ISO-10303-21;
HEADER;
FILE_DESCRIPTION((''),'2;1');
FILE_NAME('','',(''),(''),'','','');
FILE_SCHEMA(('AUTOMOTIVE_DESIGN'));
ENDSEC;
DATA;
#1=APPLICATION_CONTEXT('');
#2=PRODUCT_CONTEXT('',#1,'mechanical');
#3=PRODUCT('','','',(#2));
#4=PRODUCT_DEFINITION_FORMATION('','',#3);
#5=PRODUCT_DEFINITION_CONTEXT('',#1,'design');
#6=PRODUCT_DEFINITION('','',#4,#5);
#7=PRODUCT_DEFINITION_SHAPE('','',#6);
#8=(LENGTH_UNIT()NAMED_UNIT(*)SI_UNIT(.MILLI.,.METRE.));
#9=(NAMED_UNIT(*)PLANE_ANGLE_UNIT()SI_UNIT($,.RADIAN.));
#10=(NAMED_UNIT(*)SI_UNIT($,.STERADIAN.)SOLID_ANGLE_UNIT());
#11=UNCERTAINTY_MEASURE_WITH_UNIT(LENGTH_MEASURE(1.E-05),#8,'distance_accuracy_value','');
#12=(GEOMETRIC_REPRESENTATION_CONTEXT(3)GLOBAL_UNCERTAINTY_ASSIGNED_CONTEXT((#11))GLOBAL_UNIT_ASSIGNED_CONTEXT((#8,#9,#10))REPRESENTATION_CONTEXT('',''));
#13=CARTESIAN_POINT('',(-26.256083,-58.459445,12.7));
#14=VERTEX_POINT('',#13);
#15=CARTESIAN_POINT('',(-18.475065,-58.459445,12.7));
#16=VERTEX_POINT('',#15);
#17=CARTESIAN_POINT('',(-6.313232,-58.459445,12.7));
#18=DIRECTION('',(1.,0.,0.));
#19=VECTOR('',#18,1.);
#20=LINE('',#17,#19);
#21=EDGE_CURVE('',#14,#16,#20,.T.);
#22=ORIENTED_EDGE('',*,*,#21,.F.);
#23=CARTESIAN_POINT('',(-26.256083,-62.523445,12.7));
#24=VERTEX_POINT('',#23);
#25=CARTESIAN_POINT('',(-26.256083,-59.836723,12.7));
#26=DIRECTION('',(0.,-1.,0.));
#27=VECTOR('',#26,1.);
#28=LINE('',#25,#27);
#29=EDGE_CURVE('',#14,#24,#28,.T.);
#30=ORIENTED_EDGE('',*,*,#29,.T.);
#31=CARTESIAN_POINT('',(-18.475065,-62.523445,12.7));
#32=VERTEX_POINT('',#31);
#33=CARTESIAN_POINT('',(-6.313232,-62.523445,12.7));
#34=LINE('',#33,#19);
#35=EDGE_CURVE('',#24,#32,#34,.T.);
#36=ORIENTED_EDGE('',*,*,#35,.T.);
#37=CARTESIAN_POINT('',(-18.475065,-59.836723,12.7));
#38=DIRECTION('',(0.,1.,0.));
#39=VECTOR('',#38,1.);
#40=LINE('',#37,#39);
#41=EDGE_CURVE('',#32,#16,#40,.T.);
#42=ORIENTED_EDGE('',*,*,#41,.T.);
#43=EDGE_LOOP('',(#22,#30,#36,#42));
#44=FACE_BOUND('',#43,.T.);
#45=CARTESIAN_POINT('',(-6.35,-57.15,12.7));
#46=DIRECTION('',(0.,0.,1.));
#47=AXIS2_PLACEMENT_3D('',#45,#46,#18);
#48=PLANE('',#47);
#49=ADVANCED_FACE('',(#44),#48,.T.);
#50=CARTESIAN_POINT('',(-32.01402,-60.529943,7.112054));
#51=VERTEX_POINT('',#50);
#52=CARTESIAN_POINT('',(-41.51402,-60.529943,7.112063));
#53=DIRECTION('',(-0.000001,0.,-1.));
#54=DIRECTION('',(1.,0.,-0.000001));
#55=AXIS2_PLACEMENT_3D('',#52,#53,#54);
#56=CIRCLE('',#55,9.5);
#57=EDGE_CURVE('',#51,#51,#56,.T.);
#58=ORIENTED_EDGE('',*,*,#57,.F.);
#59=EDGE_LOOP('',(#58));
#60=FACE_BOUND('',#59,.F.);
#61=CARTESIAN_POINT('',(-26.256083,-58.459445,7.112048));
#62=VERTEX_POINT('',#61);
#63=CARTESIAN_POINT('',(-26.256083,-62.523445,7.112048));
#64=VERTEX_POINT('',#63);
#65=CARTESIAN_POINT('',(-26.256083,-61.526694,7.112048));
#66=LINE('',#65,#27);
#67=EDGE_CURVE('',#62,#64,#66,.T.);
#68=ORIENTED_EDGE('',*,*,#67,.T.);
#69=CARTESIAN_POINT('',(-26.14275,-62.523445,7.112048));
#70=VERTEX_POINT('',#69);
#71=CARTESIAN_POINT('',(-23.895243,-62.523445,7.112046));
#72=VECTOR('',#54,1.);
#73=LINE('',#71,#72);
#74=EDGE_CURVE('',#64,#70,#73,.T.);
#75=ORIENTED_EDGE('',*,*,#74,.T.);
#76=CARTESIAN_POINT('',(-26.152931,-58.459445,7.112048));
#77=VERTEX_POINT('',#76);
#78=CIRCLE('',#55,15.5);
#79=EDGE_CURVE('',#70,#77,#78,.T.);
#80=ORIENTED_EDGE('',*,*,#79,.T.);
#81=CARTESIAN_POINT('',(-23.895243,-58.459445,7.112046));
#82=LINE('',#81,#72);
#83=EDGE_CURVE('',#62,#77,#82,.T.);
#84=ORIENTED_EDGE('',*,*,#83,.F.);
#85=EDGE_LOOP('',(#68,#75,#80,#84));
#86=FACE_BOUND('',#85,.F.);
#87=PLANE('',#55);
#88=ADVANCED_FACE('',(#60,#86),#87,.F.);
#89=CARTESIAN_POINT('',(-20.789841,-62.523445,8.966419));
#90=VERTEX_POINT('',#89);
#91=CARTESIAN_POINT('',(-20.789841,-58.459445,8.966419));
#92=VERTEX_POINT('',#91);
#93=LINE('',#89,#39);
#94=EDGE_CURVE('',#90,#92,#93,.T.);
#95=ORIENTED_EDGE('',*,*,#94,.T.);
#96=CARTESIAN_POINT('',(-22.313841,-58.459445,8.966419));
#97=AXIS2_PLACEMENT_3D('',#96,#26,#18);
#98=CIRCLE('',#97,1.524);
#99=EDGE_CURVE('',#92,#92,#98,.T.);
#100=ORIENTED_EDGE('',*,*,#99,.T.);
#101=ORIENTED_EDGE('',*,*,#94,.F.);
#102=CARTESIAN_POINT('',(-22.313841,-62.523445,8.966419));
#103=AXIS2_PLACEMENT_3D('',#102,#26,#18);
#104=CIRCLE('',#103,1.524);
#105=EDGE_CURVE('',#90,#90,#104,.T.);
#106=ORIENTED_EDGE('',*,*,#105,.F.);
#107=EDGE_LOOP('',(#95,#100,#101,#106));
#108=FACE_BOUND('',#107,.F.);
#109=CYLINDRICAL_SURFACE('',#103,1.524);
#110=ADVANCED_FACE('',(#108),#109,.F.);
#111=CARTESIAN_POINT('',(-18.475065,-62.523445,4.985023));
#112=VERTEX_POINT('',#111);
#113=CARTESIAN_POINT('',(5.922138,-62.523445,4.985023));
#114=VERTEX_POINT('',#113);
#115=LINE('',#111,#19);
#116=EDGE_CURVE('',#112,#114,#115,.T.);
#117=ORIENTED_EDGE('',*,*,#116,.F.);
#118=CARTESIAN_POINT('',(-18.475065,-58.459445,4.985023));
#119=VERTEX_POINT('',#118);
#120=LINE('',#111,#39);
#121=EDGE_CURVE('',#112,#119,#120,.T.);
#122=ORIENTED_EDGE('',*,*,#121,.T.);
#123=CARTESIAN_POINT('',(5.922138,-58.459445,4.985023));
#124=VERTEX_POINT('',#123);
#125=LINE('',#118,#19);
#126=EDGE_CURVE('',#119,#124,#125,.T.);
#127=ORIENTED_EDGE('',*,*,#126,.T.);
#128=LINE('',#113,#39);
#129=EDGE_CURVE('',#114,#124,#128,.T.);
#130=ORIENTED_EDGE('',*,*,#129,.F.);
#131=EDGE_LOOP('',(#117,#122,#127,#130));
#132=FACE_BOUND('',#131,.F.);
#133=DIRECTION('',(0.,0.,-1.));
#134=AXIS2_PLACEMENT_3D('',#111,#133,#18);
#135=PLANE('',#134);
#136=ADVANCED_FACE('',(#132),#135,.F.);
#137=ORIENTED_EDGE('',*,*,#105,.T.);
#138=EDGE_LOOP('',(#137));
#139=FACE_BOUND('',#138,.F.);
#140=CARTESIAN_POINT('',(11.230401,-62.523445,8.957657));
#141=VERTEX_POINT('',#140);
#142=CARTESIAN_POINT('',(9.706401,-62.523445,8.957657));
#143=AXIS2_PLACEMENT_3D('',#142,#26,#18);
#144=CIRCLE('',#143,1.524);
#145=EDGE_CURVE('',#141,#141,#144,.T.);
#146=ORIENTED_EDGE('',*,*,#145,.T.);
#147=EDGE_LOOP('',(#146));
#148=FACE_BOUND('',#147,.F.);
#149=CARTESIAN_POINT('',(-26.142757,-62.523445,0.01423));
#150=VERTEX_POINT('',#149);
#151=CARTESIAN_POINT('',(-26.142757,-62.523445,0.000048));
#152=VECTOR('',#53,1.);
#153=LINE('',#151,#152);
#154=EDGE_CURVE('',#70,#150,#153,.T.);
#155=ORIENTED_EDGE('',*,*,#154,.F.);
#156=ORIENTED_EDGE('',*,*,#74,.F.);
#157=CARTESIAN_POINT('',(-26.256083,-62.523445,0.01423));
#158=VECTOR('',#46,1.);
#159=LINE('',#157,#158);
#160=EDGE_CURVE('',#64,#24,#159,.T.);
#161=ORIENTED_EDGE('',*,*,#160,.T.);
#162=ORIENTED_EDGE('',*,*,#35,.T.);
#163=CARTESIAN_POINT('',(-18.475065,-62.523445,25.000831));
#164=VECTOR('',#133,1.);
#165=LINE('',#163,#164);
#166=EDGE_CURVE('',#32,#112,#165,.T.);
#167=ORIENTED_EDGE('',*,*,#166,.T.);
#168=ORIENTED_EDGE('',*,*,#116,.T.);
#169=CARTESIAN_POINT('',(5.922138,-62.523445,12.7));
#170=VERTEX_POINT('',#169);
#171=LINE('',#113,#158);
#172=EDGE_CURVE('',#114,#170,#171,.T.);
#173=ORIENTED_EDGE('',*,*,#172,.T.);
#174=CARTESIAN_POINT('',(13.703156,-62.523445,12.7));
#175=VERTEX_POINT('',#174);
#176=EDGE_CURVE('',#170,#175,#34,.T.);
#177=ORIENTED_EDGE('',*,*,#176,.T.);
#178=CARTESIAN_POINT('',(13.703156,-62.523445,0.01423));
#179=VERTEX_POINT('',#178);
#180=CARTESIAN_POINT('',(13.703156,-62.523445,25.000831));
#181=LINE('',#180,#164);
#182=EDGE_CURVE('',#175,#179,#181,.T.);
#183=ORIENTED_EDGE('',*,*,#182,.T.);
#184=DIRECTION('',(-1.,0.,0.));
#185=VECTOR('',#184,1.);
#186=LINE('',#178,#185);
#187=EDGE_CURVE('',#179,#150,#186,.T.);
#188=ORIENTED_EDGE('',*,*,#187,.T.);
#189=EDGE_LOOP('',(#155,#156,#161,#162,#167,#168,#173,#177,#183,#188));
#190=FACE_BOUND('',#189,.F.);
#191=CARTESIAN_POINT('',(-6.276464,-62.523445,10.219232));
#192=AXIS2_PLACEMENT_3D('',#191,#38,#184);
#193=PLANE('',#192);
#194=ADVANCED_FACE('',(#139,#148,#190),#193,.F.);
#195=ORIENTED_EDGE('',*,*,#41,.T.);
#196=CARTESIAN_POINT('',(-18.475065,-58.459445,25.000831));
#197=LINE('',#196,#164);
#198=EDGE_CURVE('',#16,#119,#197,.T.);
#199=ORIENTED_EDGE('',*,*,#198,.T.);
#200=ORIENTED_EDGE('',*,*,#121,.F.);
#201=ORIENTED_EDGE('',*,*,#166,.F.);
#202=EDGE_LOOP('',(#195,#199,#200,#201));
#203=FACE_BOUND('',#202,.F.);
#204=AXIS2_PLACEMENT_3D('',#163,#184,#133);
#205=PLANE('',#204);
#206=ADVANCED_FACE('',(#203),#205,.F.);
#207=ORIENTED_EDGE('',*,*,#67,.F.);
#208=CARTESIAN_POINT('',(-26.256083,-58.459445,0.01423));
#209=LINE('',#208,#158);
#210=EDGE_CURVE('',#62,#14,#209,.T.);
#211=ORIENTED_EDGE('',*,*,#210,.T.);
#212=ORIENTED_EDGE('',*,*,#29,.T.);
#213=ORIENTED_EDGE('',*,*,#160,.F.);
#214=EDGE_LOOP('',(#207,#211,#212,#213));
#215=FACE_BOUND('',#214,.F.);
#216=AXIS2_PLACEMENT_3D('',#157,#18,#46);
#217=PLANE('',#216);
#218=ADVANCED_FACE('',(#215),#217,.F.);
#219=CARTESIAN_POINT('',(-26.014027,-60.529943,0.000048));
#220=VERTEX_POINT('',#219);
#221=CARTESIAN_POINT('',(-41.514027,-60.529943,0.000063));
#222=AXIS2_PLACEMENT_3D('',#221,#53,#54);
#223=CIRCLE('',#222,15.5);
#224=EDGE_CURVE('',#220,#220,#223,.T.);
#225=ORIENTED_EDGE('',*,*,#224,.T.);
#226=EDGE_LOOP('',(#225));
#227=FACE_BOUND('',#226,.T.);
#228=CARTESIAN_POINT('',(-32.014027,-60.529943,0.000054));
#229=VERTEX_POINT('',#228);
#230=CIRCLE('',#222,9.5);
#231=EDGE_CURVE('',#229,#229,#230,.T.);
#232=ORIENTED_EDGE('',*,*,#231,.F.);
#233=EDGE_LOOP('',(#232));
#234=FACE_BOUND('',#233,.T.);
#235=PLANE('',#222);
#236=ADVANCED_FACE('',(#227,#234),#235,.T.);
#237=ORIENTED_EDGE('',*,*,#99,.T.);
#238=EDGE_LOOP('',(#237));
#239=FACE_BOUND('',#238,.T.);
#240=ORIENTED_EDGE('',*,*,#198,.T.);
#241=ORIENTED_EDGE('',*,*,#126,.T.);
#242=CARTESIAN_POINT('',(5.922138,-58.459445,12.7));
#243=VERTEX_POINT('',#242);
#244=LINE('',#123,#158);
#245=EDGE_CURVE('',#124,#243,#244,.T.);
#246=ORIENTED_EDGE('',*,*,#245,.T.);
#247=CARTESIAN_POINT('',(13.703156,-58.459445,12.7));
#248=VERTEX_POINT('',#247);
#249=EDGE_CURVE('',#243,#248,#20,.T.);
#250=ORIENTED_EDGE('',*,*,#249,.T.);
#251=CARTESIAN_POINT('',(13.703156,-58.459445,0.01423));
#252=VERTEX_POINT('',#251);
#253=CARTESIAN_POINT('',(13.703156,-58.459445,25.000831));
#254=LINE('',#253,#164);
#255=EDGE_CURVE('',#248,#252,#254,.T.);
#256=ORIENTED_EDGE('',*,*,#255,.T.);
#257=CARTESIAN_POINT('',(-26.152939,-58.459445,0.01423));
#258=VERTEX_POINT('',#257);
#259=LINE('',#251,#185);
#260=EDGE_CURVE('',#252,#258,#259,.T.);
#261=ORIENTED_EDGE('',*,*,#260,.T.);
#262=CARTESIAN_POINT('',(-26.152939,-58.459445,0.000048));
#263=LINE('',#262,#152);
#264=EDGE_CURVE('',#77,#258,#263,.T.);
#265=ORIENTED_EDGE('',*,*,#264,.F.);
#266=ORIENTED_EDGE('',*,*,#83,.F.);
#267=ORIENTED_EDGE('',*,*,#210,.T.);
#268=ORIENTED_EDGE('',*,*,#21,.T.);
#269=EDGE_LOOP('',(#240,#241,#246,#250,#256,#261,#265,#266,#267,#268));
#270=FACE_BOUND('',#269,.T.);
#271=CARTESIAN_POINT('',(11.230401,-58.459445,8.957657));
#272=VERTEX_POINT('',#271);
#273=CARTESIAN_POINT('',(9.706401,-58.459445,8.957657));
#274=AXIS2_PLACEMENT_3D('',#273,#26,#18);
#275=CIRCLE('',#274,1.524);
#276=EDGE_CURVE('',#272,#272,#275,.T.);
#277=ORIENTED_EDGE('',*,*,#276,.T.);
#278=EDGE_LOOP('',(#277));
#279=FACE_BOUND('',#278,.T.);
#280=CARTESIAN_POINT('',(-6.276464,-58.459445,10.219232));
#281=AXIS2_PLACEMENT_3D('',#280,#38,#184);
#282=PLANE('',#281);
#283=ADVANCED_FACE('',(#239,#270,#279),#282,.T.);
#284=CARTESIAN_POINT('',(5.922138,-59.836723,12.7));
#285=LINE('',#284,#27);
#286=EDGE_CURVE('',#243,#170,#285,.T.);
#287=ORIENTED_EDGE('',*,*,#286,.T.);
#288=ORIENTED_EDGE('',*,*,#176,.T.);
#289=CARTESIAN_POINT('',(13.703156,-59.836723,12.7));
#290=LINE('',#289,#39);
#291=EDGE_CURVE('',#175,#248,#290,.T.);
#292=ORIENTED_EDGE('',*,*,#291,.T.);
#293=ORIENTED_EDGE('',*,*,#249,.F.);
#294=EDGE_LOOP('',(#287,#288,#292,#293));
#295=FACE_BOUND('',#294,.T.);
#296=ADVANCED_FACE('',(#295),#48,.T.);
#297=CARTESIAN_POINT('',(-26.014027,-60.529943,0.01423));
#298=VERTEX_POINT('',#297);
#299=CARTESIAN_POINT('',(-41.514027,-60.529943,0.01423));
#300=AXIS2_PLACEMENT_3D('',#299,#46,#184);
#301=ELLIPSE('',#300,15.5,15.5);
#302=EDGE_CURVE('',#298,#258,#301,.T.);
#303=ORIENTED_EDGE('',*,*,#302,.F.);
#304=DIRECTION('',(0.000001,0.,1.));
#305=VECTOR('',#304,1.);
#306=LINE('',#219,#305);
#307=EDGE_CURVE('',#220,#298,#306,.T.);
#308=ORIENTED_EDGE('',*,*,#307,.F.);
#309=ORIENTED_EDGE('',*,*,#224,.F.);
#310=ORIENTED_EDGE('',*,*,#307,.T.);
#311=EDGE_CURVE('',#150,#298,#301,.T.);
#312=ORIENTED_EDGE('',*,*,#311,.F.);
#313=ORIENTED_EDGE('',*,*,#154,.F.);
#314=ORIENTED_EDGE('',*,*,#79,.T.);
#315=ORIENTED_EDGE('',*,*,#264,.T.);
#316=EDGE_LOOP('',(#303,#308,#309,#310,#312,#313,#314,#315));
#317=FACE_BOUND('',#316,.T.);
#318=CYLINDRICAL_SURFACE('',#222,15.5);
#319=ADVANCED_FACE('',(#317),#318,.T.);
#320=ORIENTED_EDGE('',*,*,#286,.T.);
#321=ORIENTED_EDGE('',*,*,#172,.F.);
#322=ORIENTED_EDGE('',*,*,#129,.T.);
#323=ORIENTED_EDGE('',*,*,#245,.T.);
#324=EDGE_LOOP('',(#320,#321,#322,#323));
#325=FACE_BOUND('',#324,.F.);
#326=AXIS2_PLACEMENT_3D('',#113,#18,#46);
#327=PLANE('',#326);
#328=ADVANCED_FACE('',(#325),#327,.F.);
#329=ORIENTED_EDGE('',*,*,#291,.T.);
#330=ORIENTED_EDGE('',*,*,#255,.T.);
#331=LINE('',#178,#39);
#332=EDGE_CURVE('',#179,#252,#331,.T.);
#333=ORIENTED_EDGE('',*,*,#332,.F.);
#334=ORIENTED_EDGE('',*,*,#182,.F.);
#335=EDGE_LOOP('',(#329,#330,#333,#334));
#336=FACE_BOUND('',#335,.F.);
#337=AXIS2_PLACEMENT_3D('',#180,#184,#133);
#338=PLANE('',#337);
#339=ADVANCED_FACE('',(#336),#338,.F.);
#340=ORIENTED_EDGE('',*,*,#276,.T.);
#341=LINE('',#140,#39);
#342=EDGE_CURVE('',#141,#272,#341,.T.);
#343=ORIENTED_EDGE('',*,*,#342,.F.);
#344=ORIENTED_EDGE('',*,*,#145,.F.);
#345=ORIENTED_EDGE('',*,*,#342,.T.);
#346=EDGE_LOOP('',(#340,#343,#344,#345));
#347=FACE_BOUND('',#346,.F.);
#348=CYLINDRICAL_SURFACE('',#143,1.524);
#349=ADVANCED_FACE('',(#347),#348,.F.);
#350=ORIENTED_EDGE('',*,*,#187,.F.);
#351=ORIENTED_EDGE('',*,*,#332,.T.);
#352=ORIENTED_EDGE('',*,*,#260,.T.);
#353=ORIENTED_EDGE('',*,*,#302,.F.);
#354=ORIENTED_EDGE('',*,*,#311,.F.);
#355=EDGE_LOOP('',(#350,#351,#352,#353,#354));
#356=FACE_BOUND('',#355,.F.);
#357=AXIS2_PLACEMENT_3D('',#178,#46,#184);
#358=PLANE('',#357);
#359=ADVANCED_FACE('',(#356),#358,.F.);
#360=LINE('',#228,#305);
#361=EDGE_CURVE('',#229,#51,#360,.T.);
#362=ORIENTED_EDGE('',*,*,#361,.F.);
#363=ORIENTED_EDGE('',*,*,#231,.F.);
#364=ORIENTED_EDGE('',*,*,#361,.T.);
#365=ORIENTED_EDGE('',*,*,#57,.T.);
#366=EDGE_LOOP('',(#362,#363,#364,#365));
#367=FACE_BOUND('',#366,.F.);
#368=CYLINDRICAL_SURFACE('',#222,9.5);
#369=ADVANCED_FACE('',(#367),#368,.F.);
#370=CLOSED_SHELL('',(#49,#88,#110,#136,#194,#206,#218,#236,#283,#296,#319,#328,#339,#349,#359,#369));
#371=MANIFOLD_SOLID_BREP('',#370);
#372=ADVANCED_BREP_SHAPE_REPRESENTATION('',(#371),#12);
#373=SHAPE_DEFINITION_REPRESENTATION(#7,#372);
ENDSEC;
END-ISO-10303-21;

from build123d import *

# Parameters (mm, degrees)
BOX_W        = 50.8
BOX_H        = 12.7
BOX_DEPTH    = 12.7
PAD001_DEPTH = 4.064
SKETCH002_R  = 1.524
POCKET_DEPTH = 4.064
SKETCH_R     = 15.5
SKETCH_R_2   = 9.5
PAD_DEPTH    = 7.112


with BuildPart() as cube:
    # Box → Box (new body)
    with BuildSketch(Plane(origin=(-31.75, -63.5, 12.7), x_dir=(1, 0, 0), z_dir=(0, 0, 1))):
        with Locations((25.4, 6.35)):
            Rectangle(BOX_W, BOX_H)
    extrude(amount=BOX_DEPTH)


with BuildPart() as pocket:
    # Sketch001 → Pad001 (new body)
    with BuildSketch(Plane.XZ.offset(62.523445)):
        Polygon((-26.256083, 0.01423), (-26.256083, 25.000831), (-18.475065, 25.000831), (-18.475065, 4.985023), (5.922138, 4.985023), (5.922138, 25.000831), (13.703156, 25.000831), (13.703156, 0.01423), align=None)
    extrude(amount=-PAD001_DEPTH)

    # Sketch002 → Pocket (cut)
    with BuildSketch(Plane.XZ.offset(62.523445)):
        with Locations((-22.313841, 8.966419)):
            Circle(SKETCH002_R)
        with Locations((9.706401, 8.957657)):
            Circle(SKETCH002_R)
        Polygon((-21.182388, 22.588652), (-20.423353, 21.006459), (-21.197212, 19.431463), (-22.909247, 19.04623), (-24.284375, 20.136409), (-24.284375, 21.891251), (-22.896394, 22.965019), align=None)
        Polygon((10.823041, 22.583467), (11.583767, 20.99775), (10.808184, 19.419245), (9.092335, 19.033154), (7.714144, 20.125762), (7.714144, 21.884513), (9.105217, 22.960673), align=None)
    extrude(amount=-POCKET_DEPTH, mode=Mode.SUBTRACT)


with BuildPart() as cut:
    # Sketch → Pad (new body)
    with BuildSketch(Plane(origin=(-4.199891, 0, 2.6e-05), x_dir=(1, 0, -1e-06), z_dir=(-1e-06, 0, -1))):
        with Locations((-37.314136, 60.529943)):
            Circle(SKETCH_R)
        with Locations((-37.314136, 60.529943)):
            Circle(SKETCH_R_2, mode=Mode.SUBTRACT)
    extrude(amount=-PAD_DEPTH)

    # Fusion: union Pocket
    add(pocket.part)

    # Cut: cut Cube
    add(cube.part, mode=Mode.SUBTRACT)


solid = cut.part
